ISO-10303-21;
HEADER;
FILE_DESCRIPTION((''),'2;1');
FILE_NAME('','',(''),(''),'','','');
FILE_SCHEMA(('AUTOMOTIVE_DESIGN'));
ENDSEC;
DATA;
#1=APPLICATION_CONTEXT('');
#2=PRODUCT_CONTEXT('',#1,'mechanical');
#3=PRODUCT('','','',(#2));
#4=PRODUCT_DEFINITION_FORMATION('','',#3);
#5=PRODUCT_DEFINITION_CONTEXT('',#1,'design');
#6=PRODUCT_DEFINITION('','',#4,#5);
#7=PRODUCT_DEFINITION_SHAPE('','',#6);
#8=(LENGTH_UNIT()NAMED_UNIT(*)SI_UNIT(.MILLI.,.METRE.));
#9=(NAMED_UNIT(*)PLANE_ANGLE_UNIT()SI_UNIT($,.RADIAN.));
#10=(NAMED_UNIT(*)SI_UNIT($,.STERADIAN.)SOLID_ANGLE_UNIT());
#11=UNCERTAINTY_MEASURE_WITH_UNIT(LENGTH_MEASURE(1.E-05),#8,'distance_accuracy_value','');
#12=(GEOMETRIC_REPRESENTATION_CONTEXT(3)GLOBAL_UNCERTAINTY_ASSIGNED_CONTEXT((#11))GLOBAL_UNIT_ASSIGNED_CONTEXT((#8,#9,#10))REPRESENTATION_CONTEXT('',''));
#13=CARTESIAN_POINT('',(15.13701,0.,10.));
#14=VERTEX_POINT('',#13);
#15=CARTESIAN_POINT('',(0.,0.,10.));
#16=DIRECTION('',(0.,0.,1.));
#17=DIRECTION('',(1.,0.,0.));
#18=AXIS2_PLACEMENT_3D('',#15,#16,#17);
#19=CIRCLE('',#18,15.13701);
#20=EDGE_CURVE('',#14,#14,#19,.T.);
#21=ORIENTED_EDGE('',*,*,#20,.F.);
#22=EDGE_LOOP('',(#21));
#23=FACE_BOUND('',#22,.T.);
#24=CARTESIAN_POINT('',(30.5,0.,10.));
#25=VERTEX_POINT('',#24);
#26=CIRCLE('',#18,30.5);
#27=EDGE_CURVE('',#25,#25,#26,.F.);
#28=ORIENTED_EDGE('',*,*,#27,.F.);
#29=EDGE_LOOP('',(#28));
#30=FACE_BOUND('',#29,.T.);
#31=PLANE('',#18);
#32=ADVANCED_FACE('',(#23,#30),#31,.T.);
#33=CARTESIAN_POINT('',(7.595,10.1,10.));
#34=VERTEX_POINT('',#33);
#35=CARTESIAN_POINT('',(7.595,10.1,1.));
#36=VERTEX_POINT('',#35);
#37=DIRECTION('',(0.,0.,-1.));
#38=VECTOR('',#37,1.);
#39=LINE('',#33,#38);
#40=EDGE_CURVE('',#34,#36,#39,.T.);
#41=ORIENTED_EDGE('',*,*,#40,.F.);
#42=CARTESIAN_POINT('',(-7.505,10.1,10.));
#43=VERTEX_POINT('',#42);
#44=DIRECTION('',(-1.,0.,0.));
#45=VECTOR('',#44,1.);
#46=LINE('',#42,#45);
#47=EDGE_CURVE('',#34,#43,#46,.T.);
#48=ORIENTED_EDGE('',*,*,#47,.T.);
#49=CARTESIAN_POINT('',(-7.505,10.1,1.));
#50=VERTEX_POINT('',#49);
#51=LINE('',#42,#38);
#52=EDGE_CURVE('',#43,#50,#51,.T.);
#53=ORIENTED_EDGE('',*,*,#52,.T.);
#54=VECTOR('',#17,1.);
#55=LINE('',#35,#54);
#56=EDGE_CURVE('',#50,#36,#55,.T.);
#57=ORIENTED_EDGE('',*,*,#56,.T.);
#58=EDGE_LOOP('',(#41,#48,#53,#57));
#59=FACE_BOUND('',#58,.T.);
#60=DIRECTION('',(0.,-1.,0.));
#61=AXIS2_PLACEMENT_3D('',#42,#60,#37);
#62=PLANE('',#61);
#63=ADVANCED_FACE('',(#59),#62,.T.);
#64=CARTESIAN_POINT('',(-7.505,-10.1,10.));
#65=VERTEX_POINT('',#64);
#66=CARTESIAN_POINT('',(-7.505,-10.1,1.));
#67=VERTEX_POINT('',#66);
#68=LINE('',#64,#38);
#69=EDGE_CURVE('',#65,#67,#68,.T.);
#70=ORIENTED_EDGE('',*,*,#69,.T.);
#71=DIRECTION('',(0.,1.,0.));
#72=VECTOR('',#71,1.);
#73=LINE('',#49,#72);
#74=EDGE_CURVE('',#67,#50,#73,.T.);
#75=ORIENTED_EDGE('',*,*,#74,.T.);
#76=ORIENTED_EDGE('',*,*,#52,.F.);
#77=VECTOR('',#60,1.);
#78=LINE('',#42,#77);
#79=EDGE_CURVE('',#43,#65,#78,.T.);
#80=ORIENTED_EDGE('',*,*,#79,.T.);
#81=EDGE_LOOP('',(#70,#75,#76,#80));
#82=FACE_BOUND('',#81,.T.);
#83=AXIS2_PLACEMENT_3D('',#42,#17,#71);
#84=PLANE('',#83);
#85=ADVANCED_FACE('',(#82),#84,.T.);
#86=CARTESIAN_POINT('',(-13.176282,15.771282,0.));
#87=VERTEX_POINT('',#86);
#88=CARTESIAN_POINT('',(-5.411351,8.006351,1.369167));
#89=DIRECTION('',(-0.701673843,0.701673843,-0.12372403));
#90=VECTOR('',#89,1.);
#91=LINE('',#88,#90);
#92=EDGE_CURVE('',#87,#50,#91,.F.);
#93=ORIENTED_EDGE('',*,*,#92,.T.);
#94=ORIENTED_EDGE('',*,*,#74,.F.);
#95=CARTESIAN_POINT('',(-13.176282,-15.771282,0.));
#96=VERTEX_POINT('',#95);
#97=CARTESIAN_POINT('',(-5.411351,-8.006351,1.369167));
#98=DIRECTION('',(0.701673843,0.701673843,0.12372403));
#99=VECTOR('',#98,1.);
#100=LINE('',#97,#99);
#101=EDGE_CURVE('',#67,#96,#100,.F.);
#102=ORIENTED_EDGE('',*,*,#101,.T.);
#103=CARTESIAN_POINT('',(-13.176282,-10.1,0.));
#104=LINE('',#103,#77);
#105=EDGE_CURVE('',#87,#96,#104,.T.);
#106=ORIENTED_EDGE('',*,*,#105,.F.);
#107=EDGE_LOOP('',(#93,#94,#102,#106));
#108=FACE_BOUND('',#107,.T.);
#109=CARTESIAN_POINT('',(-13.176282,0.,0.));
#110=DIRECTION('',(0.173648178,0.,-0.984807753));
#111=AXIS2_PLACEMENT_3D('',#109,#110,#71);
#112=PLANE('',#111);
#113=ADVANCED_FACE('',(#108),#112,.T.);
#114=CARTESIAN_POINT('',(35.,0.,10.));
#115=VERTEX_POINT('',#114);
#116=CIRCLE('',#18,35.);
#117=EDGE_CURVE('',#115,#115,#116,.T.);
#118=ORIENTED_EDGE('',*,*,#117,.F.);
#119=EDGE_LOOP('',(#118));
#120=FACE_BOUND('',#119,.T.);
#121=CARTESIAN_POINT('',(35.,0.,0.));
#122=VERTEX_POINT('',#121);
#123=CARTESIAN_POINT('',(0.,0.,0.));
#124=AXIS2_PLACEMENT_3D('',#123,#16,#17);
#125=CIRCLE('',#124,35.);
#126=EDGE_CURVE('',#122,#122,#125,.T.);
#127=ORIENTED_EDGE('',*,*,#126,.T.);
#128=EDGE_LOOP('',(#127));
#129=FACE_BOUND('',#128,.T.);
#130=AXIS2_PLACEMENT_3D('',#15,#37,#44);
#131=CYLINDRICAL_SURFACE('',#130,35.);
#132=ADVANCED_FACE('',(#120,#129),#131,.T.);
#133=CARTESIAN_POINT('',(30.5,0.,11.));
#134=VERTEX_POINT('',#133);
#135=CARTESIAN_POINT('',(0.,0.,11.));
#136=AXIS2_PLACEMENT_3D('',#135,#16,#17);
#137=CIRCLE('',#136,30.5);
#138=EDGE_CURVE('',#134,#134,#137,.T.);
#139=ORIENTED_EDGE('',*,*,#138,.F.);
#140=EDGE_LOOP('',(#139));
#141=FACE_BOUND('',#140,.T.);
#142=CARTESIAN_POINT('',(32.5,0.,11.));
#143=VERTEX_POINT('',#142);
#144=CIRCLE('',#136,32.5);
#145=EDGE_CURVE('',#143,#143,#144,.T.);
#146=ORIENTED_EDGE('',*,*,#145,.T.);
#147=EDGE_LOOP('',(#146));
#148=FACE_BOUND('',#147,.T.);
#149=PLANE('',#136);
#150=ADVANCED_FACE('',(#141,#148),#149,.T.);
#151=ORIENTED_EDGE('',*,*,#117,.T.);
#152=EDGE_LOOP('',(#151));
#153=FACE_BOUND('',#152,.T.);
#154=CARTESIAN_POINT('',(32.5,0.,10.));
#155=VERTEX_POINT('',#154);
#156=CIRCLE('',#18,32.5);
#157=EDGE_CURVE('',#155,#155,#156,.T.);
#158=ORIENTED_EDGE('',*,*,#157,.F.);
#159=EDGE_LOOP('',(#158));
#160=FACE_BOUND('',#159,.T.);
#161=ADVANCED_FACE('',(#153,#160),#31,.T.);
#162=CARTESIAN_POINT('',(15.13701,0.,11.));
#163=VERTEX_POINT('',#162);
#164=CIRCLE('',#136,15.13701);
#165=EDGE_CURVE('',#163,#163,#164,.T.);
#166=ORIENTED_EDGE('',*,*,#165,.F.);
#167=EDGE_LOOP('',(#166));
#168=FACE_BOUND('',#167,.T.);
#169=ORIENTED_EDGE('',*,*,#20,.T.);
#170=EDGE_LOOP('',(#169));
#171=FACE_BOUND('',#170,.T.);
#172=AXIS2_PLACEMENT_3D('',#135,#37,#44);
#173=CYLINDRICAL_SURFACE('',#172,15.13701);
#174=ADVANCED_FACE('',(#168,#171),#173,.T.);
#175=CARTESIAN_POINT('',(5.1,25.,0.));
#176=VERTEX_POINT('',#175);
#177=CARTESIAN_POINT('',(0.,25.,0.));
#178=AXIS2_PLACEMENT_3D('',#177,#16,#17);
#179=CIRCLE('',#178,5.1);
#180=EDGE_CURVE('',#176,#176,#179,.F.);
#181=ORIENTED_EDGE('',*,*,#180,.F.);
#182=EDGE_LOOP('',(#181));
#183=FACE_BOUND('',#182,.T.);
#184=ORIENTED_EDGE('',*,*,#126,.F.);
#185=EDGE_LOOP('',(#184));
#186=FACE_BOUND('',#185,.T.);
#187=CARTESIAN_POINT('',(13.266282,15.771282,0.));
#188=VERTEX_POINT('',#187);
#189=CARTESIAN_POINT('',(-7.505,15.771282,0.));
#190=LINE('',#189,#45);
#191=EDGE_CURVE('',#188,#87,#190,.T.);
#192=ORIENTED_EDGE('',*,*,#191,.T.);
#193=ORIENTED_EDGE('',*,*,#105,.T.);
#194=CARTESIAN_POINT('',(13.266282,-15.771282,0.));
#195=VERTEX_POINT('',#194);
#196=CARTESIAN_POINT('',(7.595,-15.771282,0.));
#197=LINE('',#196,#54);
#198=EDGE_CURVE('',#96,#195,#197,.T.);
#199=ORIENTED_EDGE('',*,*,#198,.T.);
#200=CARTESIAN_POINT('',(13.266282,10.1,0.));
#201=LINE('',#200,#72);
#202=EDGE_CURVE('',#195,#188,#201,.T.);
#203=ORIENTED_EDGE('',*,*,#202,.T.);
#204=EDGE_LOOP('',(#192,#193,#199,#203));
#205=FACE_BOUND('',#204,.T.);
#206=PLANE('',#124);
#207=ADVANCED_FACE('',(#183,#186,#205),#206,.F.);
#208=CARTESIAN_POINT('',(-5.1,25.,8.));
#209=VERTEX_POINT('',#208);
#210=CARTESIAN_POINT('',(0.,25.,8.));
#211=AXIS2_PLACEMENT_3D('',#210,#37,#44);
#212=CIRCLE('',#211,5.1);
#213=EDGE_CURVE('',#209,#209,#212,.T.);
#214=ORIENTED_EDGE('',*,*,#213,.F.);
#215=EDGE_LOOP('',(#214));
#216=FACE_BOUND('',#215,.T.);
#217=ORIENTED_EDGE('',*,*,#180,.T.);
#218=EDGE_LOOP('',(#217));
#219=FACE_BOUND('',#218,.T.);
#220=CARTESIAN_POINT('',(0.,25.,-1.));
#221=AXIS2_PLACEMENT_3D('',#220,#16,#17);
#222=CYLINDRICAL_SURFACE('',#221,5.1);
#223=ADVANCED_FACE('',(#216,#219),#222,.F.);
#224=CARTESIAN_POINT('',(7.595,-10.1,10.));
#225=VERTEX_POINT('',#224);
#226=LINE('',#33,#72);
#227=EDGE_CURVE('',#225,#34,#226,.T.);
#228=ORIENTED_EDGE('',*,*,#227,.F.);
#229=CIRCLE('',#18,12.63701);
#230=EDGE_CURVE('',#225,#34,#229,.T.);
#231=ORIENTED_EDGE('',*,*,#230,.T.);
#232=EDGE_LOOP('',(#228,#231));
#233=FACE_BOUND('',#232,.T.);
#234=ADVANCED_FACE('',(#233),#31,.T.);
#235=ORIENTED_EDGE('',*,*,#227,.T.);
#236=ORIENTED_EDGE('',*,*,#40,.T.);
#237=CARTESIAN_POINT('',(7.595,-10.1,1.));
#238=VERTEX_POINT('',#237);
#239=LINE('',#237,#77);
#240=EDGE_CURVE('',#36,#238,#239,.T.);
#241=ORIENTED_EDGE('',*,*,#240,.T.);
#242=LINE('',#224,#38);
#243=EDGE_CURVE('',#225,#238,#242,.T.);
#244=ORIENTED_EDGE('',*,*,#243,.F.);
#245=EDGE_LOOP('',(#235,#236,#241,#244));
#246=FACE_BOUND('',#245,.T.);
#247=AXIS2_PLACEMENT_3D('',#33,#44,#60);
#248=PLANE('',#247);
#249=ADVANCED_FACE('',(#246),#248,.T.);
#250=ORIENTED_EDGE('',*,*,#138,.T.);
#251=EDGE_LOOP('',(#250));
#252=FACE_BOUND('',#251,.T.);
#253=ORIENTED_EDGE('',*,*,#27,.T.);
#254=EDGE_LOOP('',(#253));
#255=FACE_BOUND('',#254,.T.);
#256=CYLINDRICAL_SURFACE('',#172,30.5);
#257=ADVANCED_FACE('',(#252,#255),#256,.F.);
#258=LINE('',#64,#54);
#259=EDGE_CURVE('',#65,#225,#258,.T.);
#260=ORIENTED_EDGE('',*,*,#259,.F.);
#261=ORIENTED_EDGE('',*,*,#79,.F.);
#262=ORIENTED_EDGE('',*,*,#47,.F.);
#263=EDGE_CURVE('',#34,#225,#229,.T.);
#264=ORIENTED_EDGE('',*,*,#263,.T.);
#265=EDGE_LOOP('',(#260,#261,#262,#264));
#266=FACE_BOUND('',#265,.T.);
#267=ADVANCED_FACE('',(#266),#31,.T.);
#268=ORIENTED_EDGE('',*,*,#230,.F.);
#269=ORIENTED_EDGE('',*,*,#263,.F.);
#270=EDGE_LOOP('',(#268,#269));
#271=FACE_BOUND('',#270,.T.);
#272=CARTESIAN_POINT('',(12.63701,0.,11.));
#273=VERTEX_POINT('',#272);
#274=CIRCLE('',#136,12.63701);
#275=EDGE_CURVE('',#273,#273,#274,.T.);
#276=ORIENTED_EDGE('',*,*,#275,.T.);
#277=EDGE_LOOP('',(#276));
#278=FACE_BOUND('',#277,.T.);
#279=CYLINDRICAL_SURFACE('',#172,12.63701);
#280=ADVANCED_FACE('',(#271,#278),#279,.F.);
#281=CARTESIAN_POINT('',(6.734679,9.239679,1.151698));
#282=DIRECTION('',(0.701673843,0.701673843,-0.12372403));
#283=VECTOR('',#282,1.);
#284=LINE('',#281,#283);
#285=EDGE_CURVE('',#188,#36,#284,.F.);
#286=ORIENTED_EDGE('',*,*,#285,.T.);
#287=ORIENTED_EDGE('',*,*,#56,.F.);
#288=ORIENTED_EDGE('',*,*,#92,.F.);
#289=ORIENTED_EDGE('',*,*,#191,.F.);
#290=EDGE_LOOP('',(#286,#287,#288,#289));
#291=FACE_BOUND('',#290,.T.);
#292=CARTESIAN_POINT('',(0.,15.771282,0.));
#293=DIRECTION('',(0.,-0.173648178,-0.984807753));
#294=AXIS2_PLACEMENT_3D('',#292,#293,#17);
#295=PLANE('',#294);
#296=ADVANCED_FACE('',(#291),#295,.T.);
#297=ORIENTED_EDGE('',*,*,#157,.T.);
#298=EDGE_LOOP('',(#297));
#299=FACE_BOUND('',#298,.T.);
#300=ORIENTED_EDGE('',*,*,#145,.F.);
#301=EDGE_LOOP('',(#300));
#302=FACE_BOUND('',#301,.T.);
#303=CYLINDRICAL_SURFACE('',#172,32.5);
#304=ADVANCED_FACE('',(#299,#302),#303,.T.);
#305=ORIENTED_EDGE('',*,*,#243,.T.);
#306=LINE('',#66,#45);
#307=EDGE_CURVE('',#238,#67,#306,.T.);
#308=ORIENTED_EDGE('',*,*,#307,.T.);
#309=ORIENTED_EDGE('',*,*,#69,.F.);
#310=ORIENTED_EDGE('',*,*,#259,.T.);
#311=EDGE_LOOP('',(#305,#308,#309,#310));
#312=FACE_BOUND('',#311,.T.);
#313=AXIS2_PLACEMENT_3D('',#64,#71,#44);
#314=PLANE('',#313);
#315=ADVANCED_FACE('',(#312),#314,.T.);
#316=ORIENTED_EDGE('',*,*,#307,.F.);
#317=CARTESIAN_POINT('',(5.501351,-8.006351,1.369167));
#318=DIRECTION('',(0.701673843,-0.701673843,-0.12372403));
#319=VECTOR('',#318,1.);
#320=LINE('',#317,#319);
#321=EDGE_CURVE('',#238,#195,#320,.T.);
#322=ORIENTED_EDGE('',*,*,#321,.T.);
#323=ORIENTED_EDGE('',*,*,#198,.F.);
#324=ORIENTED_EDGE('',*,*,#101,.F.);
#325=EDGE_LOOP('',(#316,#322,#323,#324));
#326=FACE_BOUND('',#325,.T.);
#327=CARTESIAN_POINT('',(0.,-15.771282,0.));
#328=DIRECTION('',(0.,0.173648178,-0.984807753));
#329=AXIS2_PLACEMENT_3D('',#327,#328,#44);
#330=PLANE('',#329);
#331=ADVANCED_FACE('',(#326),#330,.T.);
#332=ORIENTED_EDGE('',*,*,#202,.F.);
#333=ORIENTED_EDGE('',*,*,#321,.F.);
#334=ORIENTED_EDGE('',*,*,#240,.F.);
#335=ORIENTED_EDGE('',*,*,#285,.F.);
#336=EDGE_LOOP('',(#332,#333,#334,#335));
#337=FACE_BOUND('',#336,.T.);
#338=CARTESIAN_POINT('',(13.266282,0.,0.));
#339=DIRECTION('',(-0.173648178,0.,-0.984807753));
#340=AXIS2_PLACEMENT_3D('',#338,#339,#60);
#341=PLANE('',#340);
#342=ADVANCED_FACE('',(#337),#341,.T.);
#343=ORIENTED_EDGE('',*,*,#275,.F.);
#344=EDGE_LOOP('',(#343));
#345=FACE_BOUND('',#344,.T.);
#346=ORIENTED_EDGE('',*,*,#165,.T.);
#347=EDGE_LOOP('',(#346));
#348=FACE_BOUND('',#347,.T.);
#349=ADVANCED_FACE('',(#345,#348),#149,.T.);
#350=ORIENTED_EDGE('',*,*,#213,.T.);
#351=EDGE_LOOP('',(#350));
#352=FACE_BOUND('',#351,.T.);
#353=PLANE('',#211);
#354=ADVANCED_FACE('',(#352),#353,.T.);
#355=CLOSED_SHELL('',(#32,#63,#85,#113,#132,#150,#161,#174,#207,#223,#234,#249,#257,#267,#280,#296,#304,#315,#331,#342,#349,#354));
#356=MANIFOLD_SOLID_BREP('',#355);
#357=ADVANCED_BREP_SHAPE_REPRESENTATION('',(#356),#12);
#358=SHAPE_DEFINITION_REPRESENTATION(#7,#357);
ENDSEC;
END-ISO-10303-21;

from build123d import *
from OCP.BRepFilletAPI import BRepFilletAPI_MakeChamfer

# Parameters (mm, degrees)
SKIZZE1_R                            = 35
AUFSATZ_LINEAR_AUSTRAGEN1_DEPTH      = 10
SKIZZE1_3_OUTSIDE_W                  = 91.9
SKIZZE1_3_OUTSIDE_H                  = 91.9
SKIZZE1_3_OUTSIDE_R                  = 35
SKIZZE1_3_OUTSIDE_W_2                = 15.1
SKIZZE1_3_OUTSIDE_H_2                = 20.2
SCHNITT_LINEAR_AUSTRAGEN1_DEPTH      = 10
SCHNITT_LINEAR_AUSTRAGEN2_DEPTH      = 1
SCHNITT_LINEAR_AUSTRAGEN2_DEPTH_BACK = 8
SKIZZE2_R                            = 5.1
SKIZZE3_R                            = 32.5
SKIZZE3_R_2                          = 30.5
AUFSATZ_LINEAR_AUSTRAGEN2_DEPTH      = 1
SKIZZE4_R                            = 15.137010129
SKIZZE4_R_2                          = 12.637010129
AUFSATZ_LINEAR_AUSTRAGEN3_DEPTH      = 1
FASE1_SIZE                           = 1
FASE1_SIZE2                          = 5.67128182


with BuildPart() as part:
    # Skizze1 → Aufsatz-Linear austragen1 (new body)
    with BuildSketch(Plane.XY):
        Circle(SKIZZE1_R)
    extrude(amount=AUFSATZ_LINEAR_AUSTRAGEN1_DEPTH)

    # Skizze1<3> outside → Schnitt-Linear austragen1 (cut)
    # profile 1 of 2: a face of its own
    with BuildSketch(Plane.XY):
        Rectangle(SKIZZE1_3_OUTSIDE_W, SKIZZE1_3_OUTSIDE_H)
        Circle(SKIZZE1_3_OUTSIDE_R, mode=Mode.SUBTRACT)
    # profile 2 of 2: a face of its own
    with BuildSketch(Plane.XY):
        with Locations((0.045, 0)):
            Rectangle(SKIZZE1_3_OUTSIDE_W_2, SKIZZE1_3_OUTSIDE_H_2)
    extrude(amount=SCHNITT_LINEAR_AUSTRAGEN1_DEPTH, mode=Mode.SUBTRACT)

    # Skizze2 → Schnitt-Linear austragen2 (cut, two sides: drawn at the far end of the back side and taken through both)
    with BuildSketch(Plane(origin=(0, 0, 0), x_dir=(-1, 0, 0), z_dir=(0, 0, -1)).offset(-SCHNITT_LINEAR_AUSTRAGEN2_DEPTH_BACK)):
        with Locations((0, 25)):
            Circle(SKIZZE2_R)
    extrude(amount=SCHNITT_LINEAR_AUSTRAGEN2_DEPTH + SCHNITT_LINEAR_AUSTRAGEN2_DEPTH_BACK, mode=Mode.SUBTRACT)

    # Skizze3 → Aufsatz-Linear austragen2 (add)
    with BuildSketch(Plane.XY.offset(10)):
        Circle(SKIZZE3_R)
        Circle(SKIZZE3_R_2, mode=Mode.SUBTRACT)
    extrude(amount=AUFSATZ_LINEAR_AUSTRAGEN2_DEPTH)

    # Skizze4 → Aufsatz-Linear austragen3 (add)
    with BuildSketch(Plane.XY.offset(10)):
        Circle(SKIZZE4_R)
        Circle(SKIZZE4_R_2, mode=Mode.SUBTRACT)
    extrude(amount=AUFSATZ_LINEAR_AUSTRAGEN3_DEPTH)

    # Fase1: one chamfer whose edges measure the first distance from different faces: ONE call of the kernel's chamfer builder (chamfer() names one face for all edges)
    fase1_edges_1 = [part.edges().sort_by_distance(p)[0] for p in [
        (-7.505, 0, 0),
    ]]
    fase1_side_1 = [part.faces().sort_by_distance(p)[0] for p in [
        (-7.505, 0, 5),
    ]]
    fase1_edges_2 = [part.edges().sort_by_distance(p)[0] for p in [
        (0.045, 10.1, 0),
    ]]
    fase1_side_2 = [part.faces().sort_by_distance(p)[0] for p in [
        (0.045, 10.1, 5),
    ]]
    fase1_edges_3 = [part.edges().sort_by_distance(p)[0] for p in [
        (7.595, 0, 0),
    ]]
    fase1_side_3 = [part.faces().sort_by_distance(p)[0] for p in [
        (7.595, 0, 5),
    ]]
    fase1_edges_4 = [part.edges().sort_by_distance(p)[0] for p in [
        (0.045, -10.1, 0),
    ]]
    fase1_side_4 = [part.faces().sort_by_distance(p)[0] for p in [
        (0.045, -10.1, 5),
    ]]
    fase1 = BRepFilletAPI_MakeChamfer(part.part.solid().wrapped)
    for e in fase1_edges_1:
        fase1.Add(FASE1_SIZE, FASE1_SIZE2, e.wrapped, fase1_side_1[0].wrapped)  # the first distance lies on this face
    for e in fase1_edges_2:
        fase1.Add(FASE1_SIZE, FASE1_SIZE2, e.wrapped, fase1_side_2[0].wrapped)  # the first distance lies on this face
    for e in fase1_edges_3:
        fase1.Add(FASE1_SIZE, FASE1_SIZE2, e.wrapped, fase1_side_3[0].wrapped)  # the first distance lies on this face
    for e in fase1_edges_4:
        fase1.Add(FASE1_SIZE, FASE1_SIZE2, e.wrapped, fase1_side_4[0].wrapped)  # the first distance lies on this face
    add(Compound.cast(fase1.Shape()), mode=Mode.REPLACE)


solid = part.part
